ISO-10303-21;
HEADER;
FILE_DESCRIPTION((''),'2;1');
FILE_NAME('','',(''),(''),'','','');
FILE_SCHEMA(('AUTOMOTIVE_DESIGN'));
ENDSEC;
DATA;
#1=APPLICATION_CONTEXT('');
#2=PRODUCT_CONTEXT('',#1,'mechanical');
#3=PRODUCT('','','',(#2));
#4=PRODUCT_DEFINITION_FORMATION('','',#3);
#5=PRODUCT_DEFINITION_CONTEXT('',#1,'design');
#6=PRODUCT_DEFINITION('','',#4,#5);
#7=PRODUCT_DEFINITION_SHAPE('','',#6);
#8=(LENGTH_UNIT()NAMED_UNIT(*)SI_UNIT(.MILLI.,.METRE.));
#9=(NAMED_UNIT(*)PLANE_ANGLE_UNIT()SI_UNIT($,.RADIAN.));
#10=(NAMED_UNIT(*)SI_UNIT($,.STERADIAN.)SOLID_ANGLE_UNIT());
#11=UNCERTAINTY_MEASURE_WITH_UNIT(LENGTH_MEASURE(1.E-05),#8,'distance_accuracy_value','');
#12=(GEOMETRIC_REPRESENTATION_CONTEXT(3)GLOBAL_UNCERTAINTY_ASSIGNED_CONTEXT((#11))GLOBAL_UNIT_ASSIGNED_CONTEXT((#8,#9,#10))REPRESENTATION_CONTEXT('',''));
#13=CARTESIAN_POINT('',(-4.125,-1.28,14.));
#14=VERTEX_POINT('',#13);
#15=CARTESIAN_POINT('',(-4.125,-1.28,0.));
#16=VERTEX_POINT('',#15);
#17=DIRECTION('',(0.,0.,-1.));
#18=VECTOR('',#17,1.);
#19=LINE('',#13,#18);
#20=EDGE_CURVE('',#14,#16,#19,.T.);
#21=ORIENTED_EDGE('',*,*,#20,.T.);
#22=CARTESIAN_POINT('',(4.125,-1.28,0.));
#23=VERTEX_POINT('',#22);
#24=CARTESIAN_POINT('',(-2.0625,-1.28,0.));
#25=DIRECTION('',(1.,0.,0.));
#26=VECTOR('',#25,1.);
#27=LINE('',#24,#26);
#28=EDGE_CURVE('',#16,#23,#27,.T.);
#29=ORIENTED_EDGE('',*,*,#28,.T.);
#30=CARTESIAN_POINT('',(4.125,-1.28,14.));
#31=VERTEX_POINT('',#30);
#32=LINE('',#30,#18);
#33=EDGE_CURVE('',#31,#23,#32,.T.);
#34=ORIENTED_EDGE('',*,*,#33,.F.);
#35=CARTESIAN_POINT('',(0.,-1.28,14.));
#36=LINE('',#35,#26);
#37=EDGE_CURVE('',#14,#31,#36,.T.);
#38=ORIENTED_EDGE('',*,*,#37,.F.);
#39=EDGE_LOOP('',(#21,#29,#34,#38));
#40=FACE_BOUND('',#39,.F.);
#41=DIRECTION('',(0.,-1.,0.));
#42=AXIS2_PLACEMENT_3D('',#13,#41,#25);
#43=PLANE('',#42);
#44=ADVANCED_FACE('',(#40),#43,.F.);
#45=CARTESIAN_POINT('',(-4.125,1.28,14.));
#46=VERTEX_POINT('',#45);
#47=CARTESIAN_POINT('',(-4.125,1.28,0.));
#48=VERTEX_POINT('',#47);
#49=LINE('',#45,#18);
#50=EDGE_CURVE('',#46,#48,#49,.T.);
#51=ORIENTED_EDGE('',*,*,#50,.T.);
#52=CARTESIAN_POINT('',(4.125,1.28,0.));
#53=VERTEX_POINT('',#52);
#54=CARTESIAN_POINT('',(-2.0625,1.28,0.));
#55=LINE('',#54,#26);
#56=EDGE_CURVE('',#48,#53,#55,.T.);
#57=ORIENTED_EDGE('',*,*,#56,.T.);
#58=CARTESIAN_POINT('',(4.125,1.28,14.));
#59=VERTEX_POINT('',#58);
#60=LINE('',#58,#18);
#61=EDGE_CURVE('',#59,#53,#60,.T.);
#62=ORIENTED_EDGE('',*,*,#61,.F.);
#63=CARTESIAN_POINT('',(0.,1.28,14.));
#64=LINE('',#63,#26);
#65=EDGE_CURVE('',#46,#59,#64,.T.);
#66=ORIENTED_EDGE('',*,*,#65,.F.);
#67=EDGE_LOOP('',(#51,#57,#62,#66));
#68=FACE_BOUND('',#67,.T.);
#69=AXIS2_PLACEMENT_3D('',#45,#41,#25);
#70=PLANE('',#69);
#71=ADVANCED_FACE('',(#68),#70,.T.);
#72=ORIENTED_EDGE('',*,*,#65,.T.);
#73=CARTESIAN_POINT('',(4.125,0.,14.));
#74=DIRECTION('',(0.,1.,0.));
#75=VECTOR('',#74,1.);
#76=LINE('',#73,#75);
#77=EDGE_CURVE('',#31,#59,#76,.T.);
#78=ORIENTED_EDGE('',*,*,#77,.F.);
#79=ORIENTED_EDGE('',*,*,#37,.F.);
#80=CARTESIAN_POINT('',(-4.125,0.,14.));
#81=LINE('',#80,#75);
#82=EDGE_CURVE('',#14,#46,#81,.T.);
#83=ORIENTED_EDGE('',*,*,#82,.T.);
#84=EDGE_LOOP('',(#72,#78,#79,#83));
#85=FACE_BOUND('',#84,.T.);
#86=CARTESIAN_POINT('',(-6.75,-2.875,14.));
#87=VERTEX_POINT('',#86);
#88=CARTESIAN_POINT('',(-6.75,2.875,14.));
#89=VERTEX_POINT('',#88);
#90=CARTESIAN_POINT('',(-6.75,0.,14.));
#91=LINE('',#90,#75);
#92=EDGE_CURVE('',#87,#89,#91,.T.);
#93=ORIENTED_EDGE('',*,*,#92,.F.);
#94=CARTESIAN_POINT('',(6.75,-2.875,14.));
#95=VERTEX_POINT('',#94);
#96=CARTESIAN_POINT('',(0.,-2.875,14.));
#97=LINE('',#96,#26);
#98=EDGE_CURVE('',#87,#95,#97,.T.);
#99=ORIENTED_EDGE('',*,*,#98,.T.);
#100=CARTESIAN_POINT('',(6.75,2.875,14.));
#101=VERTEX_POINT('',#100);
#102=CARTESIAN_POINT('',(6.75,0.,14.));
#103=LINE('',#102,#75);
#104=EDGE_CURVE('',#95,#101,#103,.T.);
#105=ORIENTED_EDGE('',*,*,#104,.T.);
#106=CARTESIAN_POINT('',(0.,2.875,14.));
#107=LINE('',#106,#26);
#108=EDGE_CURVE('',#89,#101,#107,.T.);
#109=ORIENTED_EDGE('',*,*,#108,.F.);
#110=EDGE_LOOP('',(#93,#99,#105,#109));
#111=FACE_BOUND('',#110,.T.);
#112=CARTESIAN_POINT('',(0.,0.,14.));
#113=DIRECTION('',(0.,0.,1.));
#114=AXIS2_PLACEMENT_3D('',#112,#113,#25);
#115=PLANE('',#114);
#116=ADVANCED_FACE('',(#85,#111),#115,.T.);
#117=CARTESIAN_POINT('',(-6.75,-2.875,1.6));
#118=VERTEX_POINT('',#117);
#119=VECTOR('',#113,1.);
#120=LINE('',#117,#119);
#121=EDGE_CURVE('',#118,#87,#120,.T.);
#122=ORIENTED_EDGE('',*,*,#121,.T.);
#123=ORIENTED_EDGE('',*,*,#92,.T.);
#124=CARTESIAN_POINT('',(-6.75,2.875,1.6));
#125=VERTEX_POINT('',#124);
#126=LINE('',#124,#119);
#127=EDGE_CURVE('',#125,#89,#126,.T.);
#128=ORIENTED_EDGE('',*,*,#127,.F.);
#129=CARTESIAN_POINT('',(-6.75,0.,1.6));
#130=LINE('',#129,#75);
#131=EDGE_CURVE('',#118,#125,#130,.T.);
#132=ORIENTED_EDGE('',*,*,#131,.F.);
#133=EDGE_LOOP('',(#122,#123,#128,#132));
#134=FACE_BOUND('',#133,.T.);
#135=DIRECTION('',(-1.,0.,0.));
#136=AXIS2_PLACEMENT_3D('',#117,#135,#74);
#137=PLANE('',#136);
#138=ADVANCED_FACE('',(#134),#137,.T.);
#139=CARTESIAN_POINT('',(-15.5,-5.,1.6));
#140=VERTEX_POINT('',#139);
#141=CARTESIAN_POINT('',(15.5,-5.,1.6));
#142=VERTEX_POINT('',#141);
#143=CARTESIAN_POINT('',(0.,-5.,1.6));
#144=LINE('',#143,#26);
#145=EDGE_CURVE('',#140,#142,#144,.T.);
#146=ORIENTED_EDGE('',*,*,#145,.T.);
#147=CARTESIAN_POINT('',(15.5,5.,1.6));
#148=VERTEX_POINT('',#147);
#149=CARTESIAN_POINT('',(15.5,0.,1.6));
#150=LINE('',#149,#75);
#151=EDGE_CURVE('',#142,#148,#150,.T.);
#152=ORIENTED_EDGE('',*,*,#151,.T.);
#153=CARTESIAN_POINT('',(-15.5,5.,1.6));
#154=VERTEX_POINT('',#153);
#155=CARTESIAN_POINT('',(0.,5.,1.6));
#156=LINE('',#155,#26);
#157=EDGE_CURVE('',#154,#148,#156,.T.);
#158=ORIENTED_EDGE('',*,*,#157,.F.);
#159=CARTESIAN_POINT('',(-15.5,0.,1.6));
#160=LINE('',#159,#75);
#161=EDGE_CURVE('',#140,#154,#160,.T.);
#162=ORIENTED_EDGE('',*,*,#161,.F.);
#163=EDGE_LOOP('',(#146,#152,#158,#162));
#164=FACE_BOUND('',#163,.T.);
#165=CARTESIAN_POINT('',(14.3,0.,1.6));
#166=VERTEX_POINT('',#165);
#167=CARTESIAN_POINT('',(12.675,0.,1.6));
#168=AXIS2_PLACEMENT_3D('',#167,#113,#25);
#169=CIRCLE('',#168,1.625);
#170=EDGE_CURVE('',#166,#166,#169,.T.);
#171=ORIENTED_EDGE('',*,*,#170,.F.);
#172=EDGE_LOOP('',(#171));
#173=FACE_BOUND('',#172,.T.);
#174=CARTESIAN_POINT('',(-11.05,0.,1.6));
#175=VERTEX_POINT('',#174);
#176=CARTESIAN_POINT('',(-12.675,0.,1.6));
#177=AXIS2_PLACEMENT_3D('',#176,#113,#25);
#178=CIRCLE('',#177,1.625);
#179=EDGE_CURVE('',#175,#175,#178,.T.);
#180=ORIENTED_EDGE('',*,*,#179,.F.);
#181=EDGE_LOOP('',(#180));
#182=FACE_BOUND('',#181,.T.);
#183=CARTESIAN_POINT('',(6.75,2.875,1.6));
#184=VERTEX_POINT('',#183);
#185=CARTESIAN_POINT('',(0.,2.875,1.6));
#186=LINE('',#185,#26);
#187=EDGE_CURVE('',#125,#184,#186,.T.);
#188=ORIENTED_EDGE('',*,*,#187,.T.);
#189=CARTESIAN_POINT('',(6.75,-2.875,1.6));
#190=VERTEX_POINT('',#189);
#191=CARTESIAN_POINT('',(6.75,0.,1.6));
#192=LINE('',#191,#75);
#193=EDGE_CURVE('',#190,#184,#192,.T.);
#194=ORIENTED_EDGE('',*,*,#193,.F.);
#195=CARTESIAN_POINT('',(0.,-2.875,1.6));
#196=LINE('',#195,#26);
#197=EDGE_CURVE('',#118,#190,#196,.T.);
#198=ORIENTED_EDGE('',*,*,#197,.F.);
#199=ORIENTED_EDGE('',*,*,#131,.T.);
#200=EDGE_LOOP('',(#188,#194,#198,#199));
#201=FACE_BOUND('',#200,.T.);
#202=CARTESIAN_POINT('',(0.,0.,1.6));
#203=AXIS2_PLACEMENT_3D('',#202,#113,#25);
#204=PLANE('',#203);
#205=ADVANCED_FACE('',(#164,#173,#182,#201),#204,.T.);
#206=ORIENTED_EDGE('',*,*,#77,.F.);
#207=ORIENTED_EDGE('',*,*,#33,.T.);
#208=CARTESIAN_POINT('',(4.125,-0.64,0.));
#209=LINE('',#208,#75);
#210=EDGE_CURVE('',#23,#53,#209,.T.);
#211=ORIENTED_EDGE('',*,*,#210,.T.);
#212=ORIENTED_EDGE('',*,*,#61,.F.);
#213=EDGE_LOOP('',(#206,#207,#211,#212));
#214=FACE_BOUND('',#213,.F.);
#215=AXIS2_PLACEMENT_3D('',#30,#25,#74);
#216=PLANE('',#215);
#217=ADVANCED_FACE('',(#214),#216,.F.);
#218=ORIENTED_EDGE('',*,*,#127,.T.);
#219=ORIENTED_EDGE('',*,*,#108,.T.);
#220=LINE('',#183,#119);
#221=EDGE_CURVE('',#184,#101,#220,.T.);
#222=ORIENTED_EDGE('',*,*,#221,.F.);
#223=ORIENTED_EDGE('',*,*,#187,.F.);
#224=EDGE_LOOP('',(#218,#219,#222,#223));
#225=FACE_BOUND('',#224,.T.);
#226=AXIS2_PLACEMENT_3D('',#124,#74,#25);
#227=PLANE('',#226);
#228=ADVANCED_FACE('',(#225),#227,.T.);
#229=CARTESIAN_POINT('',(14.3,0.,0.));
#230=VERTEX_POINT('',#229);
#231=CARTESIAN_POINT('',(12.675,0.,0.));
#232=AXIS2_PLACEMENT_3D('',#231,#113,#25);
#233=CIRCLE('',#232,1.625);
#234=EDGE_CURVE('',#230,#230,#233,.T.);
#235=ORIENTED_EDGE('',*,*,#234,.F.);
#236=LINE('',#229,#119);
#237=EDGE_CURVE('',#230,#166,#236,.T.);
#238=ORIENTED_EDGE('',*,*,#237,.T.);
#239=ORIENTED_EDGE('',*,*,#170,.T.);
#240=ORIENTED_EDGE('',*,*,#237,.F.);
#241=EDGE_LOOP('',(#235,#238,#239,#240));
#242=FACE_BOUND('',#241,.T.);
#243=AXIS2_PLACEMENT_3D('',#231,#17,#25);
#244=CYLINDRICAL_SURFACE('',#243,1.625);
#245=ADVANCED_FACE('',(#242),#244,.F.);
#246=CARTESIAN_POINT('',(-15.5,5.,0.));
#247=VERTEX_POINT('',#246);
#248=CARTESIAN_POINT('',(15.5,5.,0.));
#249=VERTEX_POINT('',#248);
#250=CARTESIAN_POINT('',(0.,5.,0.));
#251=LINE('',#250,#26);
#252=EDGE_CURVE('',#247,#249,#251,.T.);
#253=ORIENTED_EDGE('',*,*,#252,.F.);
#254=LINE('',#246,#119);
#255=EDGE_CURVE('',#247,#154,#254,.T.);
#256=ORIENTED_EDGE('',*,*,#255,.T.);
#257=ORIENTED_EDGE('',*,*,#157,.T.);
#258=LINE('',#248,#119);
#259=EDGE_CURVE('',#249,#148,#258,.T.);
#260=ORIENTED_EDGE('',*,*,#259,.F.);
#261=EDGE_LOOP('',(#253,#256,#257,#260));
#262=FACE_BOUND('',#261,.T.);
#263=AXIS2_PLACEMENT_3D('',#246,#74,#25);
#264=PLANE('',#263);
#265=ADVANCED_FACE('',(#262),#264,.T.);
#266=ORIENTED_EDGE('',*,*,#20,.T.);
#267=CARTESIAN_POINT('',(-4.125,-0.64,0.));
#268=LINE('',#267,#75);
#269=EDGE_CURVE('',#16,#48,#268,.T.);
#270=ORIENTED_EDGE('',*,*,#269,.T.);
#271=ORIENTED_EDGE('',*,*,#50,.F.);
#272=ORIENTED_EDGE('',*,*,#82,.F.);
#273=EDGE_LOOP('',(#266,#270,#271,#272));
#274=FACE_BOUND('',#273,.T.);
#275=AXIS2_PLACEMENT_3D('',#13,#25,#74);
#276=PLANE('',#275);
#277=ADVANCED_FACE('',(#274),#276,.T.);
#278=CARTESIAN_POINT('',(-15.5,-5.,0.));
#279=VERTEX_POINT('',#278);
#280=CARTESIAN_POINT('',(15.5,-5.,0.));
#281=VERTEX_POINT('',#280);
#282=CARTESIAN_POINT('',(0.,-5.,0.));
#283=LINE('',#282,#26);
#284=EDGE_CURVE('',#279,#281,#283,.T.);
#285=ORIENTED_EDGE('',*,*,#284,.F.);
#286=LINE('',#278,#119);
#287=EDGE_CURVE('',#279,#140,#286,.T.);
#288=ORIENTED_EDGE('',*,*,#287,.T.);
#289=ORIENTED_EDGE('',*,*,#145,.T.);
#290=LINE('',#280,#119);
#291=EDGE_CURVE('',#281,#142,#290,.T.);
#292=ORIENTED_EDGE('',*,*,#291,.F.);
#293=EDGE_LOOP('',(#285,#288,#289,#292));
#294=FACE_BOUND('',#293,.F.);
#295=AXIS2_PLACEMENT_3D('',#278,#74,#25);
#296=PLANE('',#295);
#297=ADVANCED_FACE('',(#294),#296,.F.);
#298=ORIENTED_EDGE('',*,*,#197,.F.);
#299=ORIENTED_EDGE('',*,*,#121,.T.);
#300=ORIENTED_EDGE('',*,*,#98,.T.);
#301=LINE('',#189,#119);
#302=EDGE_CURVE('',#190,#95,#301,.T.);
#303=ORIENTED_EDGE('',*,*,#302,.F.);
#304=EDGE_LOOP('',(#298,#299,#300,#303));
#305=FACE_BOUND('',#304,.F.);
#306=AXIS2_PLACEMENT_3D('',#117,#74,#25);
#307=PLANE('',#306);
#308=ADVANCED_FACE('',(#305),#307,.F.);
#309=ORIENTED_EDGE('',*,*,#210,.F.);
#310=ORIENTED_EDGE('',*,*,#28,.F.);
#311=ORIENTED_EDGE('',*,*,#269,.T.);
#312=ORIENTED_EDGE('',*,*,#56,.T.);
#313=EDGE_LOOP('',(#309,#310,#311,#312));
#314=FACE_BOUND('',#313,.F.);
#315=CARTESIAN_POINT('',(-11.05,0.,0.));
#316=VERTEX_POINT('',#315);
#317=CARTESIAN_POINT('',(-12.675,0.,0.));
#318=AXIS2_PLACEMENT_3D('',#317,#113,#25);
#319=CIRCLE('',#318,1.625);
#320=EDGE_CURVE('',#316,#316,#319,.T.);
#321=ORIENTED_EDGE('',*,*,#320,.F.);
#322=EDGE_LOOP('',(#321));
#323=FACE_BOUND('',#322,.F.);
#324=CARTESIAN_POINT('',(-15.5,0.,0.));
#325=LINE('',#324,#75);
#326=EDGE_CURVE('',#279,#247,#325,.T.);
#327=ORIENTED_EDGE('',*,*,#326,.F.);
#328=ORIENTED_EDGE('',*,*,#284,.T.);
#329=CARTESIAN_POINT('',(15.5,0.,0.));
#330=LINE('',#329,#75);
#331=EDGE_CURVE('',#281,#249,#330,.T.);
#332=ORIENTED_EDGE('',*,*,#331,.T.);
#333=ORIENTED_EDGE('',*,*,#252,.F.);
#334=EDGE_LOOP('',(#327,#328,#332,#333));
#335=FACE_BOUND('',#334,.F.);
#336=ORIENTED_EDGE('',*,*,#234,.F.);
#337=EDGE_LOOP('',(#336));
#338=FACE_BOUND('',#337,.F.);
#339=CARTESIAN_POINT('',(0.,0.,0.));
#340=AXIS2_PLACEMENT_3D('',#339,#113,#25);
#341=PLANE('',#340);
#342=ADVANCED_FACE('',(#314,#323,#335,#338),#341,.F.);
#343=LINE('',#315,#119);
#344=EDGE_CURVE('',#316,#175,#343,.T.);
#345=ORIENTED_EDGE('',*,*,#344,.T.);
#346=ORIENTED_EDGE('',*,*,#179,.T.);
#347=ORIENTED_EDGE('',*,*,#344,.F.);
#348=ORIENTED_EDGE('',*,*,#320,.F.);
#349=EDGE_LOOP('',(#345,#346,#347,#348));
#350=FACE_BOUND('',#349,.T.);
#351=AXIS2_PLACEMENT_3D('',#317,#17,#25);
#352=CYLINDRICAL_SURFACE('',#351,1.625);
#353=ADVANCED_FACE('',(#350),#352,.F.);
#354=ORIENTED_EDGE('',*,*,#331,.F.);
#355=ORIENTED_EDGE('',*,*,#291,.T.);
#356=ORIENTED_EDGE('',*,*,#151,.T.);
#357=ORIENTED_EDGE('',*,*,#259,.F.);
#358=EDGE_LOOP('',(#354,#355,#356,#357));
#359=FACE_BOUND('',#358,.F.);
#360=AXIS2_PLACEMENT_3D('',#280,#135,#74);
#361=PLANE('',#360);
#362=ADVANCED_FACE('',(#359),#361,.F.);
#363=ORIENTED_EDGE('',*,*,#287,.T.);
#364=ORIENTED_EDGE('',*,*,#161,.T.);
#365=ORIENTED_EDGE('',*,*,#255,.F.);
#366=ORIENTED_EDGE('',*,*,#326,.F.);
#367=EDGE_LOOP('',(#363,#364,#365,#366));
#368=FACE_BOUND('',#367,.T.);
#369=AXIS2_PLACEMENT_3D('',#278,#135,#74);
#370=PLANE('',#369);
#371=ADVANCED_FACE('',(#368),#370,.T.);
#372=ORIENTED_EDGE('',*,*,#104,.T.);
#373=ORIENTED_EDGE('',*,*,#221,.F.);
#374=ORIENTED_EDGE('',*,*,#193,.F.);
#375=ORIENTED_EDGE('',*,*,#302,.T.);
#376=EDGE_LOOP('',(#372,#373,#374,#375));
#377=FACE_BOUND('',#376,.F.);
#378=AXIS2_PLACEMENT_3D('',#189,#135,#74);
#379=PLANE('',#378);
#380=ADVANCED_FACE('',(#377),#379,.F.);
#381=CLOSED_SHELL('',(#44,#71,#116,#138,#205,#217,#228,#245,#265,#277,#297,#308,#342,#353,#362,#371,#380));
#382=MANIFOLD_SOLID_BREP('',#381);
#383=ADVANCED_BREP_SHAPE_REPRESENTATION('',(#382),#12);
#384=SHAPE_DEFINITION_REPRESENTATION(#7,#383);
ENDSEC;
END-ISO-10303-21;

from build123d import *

# Parameters (mm, degrees)
SKETCH_W     = 31
SKETCH_H     = 10
SKETCH_R     = 1.625
PAD_DEPTH    = 1.6
SKETCH001_W  = 13.5
SKETCH001_H  = 5.75
PAD001_DEPTH = 12.4
SKETCH002_W  = 8.25
SKETCH002_H  = 2.56
POCKET_DEPTH = 14.001


with BuildPart() as part:
    # Sketch → Pad (new body)
    with BuildSketch(Plane.XY):
        Rectangle(SKETCH_W, SKETCH_H)
        with Locations((-12.675, 0)):
            Circle(SKETCH_R, mode=Mode.SUBTRACT)
        with Locations((12.675, 0)):
            Circle(SKETCH_R, mode=Mode.SUBTRACT)
    extrude(amount=PAD_DEPTH)

    # Sketch001 (on Face8 of Pad) → Pad001 (join)
    with BuildSketch(Plane.XY.offset(1.6)):
        Rectangle(SKETCH001_W, SKETCH001_H)
    extrude(amount=PAD001_DEPTH)

    # Sketch002 (on Face13 of Pad001) → Pocket (cut, through all)
    with BuildSketch(Plane.XY.offset(14)):
        Rectangle(SKETCH002_W, SKETCH002_H)
    extrude(amount=-POCKET_DEPTH, mode=Mode.SUBTRACT)


solid = part.part
